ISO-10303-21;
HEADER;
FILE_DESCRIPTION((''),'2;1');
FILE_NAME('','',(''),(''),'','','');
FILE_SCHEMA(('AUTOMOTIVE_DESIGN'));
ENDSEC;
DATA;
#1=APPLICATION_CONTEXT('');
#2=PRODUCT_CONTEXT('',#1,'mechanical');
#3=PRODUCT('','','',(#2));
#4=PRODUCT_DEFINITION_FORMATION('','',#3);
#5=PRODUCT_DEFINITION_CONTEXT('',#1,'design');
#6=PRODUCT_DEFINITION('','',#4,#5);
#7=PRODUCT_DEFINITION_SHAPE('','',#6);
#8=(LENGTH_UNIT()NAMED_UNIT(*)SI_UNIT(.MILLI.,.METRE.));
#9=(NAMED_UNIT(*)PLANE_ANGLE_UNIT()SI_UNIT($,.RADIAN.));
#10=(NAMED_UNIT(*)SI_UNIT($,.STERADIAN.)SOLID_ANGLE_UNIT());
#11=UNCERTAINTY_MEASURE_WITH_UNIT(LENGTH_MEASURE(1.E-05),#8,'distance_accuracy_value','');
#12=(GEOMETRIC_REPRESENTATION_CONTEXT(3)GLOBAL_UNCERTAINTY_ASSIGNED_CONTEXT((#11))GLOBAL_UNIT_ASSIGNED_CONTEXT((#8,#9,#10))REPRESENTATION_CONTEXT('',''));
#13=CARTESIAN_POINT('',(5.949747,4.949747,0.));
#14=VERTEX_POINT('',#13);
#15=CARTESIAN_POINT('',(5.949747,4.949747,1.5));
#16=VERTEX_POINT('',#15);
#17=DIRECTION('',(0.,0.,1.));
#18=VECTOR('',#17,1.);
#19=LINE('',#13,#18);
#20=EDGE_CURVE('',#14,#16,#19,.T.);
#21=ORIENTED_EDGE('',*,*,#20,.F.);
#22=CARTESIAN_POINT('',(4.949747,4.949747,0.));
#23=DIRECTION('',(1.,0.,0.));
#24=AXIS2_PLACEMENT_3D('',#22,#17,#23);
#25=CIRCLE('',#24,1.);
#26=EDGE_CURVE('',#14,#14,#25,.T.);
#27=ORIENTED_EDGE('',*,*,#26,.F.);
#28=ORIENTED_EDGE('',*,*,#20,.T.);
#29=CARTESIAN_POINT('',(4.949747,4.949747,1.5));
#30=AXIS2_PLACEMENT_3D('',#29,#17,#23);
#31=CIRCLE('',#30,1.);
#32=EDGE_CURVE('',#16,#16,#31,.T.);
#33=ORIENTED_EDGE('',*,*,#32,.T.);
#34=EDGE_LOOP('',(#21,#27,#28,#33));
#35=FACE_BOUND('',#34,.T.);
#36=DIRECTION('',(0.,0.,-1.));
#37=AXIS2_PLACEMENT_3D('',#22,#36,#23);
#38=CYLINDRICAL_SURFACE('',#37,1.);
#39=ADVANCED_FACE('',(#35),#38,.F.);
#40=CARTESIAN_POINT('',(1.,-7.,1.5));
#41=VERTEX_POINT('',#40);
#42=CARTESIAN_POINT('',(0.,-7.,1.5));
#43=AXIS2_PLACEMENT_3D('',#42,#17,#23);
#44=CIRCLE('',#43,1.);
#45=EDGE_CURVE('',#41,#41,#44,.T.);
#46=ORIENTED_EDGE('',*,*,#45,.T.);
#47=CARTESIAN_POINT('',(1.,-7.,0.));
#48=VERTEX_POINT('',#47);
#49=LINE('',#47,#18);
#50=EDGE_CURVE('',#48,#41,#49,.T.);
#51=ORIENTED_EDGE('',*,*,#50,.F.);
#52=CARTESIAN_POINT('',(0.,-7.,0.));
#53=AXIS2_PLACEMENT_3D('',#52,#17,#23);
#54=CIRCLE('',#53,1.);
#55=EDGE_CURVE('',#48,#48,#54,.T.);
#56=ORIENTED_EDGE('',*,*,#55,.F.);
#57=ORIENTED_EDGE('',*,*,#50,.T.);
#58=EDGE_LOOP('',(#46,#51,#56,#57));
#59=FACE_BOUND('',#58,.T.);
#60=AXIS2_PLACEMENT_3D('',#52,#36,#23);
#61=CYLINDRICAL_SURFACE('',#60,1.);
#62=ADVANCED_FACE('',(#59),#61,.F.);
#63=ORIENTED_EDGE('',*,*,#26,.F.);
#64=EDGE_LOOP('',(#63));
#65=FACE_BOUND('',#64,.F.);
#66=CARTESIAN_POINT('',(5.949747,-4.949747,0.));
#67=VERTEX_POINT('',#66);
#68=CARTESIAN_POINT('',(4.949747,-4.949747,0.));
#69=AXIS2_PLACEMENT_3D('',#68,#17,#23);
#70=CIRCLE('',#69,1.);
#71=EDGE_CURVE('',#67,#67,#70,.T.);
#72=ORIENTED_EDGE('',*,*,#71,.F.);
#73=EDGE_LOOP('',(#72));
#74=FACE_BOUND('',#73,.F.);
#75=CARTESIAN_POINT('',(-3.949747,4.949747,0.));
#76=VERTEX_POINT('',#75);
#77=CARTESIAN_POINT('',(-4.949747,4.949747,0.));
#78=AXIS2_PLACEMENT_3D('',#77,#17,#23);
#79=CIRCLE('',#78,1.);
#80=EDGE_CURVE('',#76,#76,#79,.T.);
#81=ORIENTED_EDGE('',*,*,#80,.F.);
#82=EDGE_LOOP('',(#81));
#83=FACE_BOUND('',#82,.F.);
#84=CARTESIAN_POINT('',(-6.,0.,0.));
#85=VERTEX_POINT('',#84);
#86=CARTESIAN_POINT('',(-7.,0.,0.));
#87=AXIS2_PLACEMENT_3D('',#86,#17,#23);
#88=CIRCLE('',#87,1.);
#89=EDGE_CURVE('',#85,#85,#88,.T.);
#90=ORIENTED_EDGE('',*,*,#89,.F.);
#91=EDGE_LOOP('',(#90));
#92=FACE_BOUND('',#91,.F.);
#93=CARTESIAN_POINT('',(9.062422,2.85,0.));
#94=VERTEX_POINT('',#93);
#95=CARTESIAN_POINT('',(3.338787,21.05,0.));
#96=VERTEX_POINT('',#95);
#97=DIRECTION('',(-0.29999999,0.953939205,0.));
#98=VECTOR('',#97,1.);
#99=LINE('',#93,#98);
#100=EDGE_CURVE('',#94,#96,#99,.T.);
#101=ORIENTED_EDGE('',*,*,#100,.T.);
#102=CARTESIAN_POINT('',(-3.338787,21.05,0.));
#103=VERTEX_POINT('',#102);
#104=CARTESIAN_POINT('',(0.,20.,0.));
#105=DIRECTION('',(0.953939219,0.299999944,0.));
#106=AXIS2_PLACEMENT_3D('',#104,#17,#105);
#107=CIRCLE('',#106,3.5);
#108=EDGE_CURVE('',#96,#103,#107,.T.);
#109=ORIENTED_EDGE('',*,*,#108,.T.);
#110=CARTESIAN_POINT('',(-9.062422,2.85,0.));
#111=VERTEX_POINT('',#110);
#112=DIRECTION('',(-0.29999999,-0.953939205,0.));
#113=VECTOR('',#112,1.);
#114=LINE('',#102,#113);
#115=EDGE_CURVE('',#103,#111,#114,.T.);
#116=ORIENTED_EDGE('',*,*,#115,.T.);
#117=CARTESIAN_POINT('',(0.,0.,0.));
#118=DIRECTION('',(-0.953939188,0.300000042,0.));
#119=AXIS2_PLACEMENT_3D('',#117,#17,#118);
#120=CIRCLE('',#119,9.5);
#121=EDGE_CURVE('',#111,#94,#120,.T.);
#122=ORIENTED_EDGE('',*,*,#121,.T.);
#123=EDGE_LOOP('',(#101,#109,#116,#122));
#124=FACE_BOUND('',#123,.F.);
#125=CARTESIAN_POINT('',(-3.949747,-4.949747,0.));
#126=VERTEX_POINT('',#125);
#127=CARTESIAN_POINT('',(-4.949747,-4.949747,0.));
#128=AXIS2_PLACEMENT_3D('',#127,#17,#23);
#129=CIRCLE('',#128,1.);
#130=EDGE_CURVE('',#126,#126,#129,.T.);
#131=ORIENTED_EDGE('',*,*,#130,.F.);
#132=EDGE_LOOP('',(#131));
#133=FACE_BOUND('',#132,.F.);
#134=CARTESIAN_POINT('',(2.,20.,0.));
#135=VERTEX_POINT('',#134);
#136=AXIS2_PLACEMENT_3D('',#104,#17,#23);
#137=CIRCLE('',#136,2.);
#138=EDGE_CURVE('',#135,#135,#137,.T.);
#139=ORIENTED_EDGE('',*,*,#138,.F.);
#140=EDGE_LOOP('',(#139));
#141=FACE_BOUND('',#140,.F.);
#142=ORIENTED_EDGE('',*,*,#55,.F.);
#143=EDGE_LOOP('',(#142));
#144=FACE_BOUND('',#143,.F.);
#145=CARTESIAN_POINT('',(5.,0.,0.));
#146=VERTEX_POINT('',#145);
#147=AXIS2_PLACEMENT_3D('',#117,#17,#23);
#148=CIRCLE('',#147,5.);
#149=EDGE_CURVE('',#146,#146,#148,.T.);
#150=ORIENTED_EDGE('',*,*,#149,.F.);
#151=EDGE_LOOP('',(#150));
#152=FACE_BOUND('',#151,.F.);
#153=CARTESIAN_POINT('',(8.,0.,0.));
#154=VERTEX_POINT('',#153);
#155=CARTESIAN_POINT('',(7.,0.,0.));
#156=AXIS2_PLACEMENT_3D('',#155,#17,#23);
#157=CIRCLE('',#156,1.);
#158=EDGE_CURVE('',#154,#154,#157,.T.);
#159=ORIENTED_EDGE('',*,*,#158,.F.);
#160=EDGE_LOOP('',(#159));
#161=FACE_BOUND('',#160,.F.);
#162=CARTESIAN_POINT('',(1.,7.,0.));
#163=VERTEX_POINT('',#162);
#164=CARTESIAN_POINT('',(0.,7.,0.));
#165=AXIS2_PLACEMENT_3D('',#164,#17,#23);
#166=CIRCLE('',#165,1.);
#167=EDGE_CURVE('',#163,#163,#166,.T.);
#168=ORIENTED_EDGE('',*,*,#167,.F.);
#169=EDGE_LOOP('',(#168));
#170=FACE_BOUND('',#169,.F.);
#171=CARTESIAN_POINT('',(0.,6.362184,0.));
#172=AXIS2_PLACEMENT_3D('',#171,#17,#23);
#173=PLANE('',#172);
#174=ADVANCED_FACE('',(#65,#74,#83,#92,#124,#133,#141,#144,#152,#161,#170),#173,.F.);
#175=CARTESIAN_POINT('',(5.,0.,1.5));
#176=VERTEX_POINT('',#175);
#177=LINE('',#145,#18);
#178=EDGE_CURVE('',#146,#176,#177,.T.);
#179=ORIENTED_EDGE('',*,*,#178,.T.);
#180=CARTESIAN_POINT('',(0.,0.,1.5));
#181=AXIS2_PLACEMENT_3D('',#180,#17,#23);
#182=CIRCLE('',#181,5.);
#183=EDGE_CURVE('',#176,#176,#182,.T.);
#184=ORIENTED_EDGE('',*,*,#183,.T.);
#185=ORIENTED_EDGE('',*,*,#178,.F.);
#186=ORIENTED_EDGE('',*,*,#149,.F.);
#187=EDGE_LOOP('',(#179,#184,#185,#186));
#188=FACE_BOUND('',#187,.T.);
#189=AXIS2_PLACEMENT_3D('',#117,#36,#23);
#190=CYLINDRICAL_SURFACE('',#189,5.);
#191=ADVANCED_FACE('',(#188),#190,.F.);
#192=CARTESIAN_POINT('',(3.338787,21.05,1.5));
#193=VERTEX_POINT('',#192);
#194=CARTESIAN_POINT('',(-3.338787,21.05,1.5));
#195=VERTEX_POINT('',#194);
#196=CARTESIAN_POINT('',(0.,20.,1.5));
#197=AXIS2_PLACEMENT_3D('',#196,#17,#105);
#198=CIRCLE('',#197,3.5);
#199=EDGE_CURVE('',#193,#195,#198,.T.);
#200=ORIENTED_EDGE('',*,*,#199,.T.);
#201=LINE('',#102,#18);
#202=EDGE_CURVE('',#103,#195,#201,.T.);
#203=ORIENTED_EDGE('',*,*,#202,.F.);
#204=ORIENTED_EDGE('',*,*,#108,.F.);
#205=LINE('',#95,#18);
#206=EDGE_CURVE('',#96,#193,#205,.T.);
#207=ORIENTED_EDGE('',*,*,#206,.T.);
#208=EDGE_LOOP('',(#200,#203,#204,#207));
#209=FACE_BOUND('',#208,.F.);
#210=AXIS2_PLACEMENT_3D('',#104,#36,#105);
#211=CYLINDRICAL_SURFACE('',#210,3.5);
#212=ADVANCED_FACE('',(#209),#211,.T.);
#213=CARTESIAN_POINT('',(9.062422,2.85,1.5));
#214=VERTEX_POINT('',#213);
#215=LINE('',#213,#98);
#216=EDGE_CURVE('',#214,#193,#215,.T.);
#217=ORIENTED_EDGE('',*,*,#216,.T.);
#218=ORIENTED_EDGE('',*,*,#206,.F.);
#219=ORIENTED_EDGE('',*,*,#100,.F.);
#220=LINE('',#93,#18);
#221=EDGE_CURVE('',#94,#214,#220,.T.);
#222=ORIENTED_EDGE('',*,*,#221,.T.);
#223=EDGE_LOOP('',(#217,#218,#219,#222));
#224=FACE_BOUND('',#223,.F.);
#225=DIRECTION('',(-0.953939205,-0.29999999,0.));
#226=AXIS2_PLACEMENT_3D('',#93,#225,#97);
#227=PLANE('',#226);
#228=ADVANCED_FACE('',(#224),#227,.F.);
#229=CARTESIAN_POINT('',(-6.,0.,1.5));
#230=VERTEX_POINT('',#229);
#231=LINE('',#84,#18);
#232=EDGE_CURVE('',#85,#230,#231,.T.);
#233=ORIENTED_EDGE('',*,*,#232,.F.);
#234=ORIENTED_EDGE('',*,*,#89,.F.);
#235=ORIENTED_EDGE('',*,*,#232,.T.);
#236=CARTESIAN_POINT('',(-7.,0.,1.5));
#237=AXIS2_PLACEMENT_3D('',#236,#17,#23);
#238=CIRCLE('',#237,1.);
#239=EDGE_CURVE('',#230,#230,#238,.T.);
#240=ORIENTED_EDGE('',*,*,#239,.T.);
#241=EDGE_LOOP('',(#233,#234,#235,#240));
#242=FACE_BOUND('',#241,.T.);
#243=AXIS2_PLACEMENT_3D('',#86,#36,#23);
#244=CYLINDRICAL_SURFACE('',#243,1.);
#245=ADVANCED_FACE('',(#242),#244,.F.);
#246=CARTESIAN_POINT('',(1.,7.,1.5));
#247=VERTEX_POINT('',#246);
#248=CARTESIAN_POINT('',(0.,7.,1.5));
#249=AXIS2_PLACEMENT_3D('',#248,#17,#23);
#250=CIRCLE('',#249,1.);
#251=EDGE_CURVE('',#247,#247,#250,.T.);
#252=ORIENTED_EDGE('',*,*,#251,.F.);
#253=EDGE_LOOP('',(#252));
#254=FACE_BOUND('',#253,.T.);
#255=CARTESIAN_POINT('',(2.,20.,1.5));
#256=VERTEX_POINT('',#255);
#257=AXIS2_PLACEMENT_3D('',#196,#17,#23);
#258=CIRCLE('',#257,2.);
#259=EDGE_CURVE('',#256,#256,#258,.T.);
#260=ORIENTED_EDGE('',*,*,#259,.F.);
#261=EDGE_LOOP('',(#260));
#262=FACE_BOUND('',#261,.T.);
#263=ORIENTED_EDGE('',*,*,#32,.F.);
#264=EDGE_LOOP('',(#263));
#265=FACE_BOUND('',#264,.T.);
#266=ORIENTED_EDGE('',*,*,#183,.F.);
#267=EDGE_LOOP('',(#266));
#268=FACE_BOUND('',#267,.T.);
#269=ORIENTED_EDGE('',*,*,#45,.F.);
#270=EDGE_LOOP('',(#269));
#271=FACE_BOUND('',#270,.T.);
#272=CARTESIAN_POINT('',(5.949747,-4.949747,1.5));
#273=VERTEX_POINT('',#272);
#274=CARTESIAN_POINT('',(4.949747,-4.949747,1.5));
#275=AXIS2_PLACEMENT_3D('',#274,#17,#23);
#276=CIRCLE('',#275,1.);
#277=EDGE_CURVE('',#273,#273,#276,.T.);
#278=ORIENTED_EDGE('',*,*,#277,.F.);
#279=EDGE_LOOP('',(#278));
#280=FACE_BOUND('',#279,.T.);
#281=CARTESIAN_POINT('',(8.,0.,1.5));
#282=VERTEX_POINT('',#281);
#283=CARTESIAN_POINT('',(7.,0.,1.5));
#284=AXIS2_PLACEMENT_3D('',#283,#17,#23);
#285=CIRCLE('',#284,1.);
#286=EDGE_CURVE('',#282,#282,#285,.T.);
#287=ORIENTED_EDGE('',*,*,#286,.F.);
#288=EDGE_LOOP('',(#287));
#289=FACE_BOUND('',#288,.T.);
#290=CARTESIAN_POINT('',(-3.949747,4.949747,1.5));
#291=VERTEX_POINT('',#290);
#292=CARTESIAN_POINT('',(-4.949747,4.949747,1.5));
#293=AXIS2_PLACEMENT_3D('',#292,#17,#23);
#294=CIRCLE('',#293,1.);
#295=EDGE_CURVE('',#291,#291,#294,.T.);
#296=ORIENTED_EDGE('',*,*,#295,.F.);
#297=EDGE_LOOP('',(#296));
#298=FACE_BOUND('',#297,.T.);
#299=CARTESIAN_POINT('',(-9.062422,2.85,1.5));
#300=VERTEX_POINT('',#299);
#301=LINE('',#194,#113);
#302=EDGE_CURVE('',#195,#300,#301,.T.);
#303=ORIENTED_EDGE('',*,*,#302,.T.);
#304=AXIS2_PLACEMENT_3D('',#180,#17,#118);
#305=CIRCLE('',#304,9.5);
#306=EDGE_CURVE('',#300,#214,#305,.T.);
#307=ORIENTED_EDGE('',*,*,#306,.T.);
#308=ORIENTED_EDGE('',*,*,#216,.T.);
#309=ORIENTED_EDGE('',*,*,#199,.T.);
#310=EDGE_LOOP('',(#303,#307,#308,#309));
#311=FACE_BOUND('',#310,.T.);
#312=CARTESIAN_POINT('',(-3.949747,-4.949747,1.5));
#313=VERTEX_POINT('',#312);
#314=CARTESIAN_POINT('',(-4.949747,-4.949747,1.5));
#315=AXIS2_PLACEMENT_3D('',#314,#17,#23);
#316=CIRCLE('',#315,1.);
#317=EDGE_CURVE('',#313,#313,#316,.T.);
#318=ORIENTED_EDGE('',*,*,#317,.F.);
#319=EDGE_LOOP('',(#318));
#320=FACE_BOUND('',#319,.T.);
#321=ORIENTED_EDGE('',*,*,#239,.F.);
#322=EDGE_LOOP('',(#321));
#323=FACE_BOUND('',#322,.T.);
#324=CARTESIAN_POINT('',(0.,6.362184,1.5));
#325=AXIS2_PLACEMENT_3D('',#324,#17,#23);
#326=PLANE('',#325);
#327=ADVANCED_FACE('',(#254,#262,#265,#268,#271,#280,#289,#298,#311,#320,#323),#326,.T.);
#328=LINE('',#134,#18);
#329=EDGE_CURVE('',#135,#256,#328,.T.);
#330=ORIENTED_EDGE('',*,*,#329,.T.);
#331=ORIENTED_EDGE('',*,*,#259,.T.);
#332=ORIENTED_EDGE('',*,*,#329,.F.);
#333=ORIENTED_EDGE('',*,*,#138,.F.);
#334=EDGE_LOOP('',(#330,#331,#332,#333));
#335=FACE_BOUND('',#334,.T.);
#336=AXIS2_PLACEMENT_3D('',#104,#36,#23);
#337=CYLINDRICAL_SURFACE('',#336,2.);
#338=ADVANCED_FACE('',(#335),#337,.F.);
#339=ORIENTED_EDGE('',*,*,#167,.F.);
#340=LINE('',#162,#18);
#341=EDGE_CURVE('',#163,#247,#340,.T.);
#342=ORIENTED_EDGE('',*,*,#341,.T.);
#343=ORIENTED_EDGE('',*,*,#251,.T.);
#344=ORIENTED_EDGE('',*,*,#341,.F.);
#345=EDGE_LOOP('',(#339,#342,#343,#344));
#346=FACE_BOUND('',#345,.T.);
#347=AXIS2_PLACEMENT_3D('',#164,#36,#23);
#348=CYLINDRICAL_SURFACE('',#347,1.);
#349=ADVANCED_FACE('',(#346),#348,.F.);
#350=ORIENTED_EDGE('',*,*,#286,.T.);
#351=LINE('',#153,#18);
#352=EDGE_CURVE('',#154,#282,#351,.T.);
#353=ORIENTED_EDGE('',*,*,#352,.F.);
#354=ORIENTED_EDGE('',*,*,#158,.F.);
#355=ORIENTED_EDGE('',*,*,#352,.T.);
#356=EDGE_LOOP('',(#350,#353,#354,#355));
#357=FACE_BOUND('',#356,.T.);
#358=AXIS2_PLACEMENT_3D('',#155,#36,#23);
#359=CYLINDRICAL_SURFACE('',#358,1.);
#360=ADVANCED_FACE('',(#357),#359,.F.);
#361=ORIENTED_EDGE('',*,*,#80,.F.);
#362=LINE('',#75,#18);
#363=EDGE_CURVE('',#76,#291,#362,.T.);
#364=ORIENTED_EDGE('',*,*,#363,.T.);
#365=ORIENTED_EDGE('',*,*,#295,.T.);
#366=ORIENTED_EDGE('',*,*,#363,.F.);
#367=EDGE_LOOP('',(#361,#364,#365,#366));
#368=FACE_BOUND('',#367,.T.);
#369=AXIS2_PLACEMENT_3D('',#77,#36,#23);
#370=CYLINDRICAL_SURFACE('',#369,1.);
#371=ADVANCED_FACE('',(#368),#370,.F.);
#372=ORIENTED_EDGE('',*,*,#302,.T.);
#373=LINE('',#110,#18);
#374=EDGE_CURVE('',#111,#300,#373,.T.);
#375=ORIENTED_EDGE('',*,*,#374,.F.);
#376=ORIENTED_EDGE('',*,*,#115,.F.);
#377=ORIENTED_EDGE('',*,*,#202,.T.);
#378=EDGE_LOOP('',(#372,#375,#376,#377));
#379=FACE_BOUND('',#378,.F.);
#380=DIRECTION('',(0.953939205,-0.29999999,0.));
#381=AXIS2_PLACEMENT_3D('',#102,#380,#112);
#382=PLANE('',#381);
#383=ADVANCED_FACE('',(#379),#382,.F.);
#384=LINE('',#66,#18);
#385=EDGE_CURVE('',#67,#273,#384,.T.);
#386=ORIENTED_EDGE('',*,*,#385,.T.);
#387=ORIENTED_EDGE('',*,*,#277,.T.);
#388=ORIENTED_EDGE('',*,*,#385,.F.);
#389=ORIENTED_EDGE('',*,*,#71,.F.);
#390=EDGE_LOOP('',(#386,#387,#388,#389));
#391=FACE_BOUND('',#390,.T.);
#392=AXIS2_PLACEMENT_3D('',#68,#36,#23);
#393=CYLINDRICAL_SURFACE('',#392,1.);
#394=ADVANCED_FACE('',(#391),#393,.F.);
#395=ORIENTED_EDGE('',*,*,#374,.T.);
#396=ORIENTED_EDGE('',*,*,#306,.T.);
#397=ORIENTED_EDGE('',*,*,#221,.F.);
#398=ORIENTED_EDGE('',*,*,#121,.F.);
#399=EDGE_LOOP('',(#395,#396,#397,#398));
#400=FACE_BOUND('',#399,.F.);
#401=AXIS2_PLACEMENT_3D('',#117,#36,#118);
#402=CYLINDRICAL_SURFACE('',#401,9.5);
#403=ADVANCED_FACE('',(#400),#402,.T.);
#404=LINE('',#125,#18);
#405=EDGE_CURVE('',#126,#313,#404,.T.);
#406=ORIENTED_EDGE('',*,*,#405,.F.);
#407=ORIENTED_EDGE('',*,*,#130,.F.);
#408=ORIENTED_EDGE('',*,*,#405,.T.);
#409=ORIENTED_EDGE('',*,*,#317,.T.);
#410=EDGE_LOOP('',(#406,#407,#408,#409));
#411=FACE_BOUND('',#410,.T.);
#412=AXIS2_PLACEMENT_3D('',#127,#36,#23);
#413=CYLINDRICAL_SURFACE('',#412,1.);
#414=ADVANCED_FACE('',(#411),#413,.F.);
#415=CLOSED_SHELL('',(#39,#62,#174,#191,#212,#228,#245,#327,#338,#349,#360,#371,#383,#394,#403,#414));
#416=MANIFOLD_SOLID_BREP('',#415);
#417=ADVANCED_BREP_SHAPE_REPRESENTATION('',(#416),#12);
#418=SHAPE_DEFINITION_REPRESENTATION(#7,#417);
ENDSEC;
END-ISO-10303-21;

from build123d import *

# Parameters (mm, degrees)
F0_R     = 1
F0_R_2   = 5
F0_R_3   = 2
F1_DEPTH = 1.5


with BuildPart() as f1:
    # F0 (on Top) → F1 (new body)
    with BuildSketch(Plane.XY):
        with BuildLine():
            Line((9.062422, 2.85), (3.338787, 21.05))
            ThreePointArc((3.338787, 21.05), (0, 23.5), (-3.338787, 21.05))
            Line((-3.338787, 21.05), (-9.062422, 2.85))
            ThreePointArc((-9.062422, 2.85), (0, -9.5), (9.062422, 2.85))
        make_face()
        with Locations((-4.949747, -4.949747)):
            Circle(F0_R, mode=Mode.SUBTRACT)
        with Locations((-7, 0)):
            Circle(F0_R, mode=Mode.SUBTRACT)
        with Locations((-4.949747, 4.949747)):
            Circle(F0_R, mode=Mode.SUBTRACT)
        with Locations((0, -7)):
            Circle(F0_R, mode=Mode.SUBTRACT)
        with Locations((4.949747, -4.949747)):
            Circle(F0_R, mode=Mode.SUBTRACT)
        Circle(F0_R_2, mode=Mode.SUBTRACT)
        with Locations((7, 0)):
            Circle(F0_R, mode=Mode.SUBTRACT)
        with Locations((4.949747, 4.949747)):
            Circle(F0_R, mode=Mode.SUBTRACT)
        with Locations((0, 7)):
            Circle(F0_R, mode=Mode.SUBTRACT)
        with Locations((0, 20)):
            Circle(F0_R_3, mode=Mode.SUBTRACT)
    extrude(amount=F1_DEPTH)


solid = f1.part
